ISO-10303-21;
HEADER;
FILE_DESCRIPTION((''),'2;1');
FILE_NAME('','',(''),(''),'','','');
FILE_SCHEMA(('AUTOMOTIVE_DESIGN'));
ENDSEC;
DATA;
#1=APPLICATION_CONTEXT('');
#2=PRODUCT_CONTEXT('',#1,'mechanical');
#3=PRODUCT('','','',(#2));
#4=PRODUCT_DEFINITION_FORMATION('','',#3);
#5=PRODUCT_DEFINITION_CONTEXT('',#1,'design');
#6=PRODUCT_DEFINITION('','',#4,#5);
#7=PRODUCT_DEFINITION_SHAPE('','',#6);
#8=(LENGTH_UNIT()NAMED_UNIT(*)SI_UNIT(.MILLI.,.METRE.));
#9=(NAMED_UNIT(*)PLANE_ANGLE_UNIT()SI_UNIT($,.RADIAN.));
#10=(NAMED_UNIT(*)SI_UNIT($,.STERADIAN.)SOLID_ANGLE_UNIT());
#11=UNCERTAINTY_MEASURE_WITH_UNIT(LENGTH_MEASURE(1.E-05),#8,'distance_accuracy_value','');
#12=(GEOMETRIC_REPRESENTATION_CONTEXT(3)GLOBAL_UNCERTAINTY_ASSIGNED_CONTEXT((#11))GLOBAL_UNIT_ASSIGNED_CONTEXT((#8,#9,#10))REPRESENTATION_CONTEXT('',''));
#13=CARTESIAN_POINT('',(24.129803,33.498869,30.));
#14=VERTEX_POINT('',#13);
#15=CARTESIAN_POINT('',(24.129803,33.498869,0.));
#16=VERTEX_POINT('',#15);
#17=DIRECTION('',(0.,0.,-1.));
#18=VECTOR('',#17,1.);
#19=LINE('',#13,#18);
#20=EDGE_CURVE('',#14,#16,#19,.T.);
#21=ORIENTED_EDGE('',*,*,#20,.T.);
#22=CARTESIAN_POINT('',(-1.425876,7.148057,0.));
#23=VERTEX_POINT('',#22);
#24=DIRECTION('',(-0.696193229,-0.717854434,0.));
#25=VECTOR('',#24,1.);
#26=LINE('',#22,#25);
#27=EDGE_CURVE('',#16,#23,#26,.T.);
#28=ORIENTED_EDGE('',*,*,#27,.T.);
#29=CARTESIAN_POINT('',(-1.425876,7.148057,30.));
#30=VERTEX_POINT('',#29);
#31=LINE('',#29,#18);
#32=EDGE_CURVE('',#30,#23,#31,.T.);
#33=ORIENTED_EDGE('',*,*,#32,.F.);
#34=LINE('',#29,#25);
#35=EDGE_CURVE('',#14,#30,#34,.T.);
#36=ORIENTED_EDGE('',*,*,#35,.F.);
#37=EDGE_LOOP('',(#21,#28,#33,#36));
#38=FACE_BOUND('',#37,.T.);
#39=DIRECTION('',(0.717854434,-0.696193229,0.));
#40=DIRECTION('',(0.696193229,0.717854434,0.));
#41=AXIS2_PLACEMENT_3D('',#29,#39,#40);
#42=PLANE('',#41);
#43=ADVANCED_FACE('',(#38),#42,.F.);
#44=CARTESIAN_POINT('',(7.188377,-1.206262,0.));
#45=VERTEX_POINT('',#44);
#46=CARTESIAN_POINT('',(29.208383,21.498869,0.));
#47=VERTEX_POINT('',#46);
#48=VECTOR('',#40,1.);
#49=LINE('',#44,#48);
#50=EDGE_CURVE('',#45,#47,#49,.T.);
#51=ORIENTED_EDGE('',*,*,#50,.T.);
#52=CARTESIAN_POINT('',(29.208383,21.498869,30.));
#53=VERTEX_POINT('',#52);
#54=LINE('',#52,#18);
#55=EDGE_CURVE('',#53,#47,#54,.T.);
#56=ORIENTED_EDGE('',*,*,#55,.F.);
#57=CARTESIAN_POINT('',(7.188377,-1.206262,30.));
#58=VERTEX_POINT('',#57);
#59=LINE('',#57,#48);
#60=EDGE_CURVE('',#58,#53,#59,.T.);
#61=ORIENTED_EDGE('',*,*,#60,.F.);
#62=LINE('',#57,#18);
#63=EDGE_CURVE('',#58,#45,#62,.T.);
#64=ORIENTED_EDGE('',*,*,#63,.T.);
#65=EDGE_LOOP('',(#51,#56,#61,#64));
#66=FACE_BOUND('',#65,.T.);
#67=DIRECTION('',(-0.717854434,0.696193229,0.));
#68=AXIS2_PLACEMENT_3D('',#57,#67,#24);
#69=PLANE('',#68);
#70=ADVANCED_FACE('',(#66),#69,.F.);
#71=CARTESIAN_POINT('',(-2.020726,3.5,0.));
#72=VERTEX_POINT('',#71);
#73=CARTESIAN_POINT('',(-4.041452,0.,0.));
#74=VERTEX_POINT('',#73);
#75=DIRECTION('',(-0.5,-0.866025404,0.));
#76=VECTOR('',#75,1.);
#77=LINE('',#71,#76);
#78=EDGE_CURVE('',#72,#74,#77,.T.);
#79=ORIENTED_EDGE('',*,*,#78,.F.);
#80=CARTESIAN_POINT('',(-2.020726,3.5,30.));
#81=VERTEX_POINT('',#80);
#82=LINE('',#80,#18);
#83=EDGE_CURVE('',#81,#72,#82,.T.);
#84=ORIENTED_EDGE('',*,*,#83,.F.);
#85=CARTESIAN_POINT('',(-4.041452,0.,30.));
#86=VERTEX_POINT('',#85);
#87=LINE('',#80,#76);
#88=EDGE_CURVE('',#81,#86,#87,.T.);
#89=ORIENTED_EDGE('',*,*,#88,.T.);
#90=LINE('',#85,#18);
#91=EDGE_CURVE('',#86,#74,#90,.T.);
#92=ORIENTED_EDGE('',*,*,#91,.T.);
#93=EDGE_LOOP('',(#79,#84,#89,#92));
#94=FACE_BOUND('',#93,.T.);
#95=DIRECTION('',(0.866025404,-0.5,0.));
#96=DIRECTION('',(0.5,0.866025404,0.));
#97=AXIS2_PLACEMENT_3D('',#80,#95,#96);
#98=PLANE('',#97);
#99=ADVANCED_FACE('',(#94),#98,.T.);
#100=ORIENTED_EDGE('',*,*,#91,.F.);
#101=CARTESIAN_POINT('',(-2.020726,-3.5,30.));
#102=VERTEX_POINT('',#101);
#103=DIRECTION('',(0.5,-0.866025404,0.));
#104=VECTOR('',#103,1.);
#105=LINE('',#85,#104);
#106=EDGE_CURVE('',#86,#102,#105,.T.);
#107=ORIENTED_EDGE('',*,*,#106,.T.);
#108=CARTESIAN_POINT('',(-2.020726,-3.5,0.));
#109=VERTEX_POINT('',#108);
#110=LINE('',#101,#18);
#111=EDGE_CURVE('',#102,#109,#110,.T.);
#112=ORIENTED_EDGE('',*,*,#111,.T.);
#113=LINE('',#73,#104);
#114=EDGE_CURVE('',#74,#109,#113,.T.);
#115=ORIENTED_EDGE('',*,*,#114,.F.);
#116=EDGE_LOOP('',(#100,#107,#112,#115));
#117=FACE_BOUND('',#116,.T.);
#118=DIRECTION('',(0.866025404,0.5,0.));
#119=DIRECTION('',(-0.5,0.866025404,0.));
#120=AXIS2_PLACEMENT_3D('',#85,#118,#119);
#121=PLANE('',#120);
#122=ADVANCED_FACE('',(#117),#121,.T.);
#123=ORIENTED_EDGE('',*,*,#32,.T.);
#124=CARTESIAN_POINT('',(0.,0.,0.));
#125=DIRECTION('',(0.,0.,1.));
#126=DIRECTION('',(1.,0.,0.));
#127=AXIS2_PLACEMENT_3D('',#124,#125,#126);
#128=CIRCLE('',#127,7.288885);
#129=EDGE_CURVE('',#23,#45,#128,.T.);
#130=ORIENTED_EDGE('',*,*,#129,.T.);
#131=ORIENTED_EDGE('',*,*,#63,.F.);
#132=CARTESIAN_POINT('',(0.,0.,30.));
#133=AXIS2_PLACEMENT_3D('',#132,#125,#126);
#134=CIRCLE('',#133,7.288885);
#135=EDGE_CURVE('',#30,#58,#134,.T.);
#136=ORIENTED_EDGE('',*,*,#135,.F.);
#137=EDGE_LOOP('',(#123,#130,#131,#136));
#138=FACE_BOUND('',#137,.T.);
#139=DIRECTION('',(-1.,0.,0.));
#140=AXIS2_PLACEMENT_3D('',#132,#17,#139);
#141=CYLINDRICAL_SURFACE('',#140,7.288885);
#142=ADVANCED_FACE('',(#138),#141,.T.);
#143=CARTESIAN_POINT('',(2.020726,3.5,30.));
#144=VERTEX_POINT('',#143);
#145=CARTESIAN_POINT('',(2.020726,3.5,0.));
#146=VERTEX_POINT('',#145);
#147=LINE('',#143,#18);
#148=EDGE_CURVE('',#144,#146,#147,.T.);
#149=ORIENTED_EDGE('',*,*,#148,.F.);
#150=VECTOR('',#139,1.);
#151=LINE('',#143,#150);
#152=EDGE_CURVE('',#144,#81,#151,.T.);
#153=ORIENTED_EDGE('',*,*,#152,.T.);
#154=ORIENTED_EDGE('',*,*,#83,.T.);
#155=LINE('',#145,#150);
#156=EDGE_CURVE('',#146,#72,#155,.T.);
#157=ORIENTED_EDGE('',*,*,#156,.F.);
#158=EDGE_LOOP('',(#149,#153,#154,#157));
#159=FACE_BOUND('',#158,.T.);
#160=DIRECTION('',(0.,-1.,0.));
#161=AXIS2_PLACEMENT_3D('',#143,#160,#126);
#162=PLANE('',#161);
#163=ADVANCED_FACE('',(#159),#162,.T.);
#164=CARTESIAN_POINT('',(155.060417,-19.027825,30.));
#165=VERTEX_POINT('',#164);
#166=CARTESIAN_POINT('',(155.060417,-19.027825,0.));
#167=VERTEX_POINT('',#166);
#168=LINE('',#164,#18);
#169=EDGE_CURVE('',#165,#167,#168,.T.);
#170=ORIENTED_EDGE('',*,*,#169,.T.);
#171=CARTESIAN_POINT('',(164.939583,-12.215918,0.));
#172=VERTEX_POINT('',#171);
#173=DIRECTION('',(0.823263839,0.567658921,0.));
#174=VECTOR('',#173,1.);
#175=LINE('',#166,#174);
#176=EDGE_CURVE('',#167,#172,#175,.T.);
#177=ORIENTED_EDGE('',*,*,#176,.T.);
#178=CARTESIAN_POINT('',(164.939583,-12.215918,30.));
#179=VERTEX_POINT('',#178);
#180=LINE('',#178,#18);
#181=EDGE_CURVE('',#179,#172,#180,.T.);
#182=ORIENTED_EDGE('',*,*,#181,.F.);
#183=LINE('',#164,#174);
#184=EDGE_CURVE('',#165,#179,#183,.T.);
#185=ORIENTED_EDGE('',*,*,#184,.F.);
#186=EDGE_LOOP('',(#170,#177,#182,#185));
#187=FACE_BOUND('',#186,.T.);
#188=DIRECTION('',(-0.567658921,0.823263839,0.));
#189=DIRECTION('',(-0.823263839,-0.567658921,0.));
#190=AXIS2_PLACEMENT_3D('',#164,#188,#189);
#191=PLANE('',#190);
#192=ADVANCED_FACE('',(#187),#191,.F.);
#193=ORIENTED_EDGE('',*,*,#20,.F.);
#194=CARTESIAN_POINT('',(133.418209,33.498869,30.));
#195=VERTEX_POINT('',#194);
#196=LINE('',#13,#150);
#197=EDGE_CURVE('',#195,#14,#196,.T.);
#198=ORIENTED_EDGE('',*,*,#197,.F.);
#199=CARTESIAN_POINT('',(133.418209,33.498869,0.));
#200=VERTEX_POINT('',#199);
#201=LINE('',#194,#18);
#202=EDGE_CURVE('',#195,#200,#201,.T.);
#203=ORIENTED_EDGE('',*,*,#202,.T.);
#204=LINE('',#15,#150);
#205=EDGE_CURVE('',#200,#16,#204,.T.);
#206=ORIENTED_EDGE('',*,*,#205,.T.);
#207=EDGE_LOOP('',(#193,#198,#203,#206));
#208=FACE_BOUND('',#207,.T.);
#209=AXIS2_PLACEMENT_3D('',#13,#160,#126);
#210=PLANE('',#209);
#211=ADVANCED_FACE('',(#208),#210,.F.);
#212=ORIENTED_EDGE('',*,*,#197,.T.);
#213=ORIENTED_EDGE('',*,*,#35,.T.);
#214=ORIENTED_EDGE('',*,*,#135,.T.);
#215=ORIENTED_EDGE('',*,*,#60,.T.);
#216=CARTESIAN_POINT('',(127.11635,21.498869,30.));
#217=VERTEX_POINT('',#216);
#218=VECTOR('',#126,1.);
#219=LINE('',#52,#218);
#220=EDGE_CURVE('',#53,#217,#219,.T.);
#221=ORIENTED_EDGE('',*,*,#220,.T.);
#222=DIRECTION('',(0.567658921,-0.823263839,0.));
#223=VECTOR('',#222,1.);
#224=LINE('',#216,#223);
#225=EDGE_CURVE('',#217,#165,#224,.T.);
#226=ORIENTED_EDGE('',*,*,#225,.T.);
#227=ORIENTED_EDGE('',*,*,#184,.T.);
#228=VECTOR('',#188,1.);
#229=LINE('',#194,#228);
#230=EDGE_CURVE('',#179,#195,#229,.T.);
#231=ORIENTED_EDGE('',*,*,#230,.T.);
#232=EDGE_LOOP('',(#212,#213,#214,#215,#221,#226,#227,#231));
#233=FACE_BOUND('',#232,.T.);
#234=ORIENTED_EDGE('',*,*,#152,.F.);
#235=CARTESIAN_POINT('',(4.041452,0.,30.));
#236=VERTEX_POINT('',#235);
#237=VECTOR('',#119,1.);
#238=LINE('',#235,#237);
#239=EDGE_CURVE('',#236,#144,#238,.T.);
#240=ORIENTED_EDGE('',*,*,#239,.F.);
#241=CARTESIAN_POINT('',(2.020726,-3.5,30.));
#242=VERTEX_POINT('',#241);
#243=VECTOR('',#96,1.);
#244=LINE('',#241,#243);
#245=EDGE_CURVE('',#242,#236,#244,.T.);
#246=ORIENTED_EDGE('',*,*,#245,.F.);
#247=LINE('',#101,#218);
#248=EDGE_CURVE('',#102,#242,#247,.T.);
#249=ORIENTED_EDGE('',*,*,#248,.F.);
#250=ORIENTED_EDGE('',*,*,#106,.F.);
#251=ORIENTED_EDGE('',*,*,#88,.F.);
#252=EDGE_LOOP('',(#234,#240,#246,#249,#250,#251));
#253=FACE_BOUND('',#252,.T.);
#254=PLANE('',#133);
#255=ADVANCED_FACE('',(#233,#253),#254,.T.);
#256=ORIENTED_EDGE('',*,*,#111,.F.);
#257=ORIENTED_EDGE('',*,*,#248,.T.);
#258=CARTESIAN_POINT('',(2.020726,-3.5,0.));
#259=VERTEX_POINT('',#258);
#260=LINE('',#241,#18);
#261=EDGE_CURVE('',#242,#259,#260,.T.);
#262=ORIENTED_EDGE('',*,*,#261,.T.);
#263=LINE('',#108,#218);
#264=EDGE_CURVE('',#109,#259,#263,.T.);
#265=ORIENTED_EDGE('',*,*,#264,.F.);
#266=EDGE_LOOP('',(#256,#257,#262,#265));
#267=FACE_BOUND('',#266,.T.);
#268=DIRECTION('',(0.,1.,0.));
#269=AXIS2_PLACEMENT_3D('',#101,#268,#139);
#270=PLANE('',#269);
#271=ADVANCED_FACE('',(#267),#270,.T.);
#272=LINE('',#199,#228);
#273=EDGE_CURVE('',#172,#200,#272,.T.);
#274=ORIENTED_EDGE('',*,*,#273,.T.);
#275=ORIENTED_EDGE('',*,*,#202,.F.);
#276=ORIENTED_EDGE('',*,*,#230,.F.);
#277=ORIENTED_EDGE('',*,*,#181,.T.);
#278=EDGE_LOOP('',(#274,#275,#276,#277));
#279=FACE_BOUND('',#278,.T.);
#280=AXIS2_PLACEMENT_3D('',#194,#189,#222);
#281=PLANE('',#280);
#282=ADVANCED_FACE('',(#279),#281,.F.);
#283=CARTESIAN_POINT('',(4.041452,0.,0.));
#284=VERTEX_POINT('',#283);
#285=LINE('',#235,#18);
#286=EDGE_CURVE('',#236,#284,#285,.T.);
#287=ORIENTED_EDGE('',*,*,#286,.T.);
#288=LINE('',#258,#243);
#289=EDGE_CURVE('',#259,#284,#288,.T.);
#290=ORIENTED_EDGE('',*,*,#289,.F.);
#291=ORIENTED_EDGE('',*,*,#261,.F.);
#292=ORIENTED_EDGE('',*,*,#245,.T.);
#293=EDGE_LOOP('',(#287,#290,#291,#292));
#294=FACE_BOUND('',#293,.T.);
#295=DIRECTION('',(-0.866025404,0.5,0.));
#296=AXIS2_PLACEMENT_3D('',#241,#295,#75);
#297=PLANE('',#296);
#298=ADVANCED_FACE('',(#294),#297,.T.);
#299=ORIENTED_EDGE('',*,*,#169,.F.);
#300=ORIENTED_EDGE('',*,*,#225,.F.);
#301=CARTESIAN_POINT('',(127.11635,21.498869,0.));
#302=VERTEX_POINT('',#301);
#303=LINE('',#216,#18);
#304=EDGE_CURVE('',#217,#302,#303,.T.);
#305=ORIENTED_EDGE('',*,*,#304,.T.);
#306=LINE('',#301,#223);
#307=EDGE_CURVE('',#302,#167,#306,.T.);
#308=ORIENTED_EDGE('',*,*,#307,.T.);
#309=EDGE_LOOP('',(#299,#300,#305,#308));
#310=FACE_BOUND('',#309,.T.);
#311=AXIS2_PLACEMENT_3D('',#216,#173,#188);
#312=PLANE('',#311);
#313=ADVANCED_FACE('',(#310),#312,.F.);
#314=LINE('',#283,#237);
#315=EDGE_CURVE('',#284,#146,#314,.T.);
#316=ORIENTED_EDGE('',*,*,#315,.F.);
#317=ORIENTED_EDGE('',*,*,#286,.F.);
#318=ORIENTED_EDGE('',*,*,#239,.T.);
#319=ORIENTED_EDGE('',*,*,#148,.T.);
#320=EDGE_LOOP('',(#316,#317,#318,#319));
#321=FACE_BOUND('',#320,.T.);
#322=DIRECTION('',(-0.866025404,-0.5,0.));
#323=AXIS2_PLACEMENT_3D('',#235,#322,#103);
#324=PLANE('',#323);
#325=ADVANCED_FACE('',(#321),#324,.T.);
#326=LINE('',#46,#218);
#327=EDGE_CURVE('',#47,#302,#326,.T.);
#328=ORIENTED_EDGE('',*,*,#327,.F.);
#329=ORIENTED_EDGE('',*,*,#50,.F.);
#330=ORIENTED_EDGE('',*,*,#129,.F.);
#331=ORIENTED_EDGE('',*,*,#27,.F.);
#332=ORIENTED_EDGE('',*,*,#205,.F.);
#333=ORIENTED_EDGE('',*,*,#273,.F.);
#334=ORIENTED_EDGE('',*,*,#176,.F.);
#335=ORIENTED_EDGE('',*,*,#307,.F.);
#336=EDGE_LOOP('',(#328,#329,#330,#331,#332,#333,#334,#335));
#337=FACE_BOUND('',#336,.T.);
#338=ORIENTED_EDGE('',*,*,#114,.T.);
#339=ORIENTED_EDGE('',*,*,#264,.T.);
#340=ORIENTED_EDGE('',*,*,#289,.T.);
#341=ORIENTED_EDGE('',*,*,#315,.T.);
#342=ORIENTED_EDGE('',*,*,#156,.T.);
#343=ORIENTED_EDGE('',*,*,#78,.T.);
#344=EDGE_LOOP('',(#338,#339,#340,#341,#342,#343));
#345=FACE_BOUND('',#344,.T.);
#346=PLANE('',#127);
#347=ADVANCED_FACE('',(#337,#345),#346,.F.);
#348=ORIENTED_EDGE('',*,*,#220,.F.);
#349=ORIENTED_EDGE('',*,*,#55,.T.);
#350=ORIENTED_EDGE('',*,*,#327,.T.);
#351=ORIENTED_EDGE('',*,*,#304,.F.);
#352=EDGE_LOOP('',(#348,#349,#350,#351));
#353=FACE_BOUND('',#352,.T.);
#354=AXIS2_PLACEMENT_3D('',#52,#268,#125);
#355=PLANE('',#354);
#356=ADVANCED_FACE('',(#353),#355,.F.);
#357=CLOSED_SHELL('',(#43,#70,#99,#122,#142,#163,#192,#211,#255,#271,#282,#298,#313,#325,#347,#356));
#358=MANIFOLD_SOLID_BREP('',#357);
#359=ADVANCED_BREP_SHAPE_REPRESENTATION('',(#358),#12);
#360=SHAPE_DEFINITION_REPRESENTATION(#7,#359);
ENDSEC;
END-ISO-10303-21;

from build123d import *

# Parameters (mm, degrees)
BOSS_EXTRUDE1_DEPTH = 30


with BuildPart() as part:
    # Sketch1 → Boss-Extrude1 (new body)
    with BuildSketch(Plane.XY):
        with BuildLine():
            Line((7.18837747, -1.206261891), (29.208382884, 21.498869199))
            Line((29.208382884, 21.498869199), (127.116350116, 21.498869199))
            Line((127.116350116, 21.498869199), (155.060416965, -19.027825416))
            Line((155.060416965, -19.027825416), (164.939583035, -12.215918359))
            Line((164.939583035, -12.215918359), (133.418209491, 33.498869199))
            Line((133.418209491, 33.498869199), (24.129802766, 33.498869199))
            Line((24.129802766, 33.498869199), (-1.425875737, 7.148056854))
            ThreePointArc((-1.425875737, 7.148056854), (-5.074472088, -5.232358113), (7.18837747, -1.206261891))
        make_face()
        Polygon((4.041451884, 0), (2.020725942, 3.5), (-2.020725942, 3.5), (-4.041451884, 0), (-2.020725942, -3.5), (2.020725942, -3.5), align=None, mode=Mode.SUBTRACT)
    extrude(amount=BOSS_EXTRUDE1_DEPTH)


solid = part.part
